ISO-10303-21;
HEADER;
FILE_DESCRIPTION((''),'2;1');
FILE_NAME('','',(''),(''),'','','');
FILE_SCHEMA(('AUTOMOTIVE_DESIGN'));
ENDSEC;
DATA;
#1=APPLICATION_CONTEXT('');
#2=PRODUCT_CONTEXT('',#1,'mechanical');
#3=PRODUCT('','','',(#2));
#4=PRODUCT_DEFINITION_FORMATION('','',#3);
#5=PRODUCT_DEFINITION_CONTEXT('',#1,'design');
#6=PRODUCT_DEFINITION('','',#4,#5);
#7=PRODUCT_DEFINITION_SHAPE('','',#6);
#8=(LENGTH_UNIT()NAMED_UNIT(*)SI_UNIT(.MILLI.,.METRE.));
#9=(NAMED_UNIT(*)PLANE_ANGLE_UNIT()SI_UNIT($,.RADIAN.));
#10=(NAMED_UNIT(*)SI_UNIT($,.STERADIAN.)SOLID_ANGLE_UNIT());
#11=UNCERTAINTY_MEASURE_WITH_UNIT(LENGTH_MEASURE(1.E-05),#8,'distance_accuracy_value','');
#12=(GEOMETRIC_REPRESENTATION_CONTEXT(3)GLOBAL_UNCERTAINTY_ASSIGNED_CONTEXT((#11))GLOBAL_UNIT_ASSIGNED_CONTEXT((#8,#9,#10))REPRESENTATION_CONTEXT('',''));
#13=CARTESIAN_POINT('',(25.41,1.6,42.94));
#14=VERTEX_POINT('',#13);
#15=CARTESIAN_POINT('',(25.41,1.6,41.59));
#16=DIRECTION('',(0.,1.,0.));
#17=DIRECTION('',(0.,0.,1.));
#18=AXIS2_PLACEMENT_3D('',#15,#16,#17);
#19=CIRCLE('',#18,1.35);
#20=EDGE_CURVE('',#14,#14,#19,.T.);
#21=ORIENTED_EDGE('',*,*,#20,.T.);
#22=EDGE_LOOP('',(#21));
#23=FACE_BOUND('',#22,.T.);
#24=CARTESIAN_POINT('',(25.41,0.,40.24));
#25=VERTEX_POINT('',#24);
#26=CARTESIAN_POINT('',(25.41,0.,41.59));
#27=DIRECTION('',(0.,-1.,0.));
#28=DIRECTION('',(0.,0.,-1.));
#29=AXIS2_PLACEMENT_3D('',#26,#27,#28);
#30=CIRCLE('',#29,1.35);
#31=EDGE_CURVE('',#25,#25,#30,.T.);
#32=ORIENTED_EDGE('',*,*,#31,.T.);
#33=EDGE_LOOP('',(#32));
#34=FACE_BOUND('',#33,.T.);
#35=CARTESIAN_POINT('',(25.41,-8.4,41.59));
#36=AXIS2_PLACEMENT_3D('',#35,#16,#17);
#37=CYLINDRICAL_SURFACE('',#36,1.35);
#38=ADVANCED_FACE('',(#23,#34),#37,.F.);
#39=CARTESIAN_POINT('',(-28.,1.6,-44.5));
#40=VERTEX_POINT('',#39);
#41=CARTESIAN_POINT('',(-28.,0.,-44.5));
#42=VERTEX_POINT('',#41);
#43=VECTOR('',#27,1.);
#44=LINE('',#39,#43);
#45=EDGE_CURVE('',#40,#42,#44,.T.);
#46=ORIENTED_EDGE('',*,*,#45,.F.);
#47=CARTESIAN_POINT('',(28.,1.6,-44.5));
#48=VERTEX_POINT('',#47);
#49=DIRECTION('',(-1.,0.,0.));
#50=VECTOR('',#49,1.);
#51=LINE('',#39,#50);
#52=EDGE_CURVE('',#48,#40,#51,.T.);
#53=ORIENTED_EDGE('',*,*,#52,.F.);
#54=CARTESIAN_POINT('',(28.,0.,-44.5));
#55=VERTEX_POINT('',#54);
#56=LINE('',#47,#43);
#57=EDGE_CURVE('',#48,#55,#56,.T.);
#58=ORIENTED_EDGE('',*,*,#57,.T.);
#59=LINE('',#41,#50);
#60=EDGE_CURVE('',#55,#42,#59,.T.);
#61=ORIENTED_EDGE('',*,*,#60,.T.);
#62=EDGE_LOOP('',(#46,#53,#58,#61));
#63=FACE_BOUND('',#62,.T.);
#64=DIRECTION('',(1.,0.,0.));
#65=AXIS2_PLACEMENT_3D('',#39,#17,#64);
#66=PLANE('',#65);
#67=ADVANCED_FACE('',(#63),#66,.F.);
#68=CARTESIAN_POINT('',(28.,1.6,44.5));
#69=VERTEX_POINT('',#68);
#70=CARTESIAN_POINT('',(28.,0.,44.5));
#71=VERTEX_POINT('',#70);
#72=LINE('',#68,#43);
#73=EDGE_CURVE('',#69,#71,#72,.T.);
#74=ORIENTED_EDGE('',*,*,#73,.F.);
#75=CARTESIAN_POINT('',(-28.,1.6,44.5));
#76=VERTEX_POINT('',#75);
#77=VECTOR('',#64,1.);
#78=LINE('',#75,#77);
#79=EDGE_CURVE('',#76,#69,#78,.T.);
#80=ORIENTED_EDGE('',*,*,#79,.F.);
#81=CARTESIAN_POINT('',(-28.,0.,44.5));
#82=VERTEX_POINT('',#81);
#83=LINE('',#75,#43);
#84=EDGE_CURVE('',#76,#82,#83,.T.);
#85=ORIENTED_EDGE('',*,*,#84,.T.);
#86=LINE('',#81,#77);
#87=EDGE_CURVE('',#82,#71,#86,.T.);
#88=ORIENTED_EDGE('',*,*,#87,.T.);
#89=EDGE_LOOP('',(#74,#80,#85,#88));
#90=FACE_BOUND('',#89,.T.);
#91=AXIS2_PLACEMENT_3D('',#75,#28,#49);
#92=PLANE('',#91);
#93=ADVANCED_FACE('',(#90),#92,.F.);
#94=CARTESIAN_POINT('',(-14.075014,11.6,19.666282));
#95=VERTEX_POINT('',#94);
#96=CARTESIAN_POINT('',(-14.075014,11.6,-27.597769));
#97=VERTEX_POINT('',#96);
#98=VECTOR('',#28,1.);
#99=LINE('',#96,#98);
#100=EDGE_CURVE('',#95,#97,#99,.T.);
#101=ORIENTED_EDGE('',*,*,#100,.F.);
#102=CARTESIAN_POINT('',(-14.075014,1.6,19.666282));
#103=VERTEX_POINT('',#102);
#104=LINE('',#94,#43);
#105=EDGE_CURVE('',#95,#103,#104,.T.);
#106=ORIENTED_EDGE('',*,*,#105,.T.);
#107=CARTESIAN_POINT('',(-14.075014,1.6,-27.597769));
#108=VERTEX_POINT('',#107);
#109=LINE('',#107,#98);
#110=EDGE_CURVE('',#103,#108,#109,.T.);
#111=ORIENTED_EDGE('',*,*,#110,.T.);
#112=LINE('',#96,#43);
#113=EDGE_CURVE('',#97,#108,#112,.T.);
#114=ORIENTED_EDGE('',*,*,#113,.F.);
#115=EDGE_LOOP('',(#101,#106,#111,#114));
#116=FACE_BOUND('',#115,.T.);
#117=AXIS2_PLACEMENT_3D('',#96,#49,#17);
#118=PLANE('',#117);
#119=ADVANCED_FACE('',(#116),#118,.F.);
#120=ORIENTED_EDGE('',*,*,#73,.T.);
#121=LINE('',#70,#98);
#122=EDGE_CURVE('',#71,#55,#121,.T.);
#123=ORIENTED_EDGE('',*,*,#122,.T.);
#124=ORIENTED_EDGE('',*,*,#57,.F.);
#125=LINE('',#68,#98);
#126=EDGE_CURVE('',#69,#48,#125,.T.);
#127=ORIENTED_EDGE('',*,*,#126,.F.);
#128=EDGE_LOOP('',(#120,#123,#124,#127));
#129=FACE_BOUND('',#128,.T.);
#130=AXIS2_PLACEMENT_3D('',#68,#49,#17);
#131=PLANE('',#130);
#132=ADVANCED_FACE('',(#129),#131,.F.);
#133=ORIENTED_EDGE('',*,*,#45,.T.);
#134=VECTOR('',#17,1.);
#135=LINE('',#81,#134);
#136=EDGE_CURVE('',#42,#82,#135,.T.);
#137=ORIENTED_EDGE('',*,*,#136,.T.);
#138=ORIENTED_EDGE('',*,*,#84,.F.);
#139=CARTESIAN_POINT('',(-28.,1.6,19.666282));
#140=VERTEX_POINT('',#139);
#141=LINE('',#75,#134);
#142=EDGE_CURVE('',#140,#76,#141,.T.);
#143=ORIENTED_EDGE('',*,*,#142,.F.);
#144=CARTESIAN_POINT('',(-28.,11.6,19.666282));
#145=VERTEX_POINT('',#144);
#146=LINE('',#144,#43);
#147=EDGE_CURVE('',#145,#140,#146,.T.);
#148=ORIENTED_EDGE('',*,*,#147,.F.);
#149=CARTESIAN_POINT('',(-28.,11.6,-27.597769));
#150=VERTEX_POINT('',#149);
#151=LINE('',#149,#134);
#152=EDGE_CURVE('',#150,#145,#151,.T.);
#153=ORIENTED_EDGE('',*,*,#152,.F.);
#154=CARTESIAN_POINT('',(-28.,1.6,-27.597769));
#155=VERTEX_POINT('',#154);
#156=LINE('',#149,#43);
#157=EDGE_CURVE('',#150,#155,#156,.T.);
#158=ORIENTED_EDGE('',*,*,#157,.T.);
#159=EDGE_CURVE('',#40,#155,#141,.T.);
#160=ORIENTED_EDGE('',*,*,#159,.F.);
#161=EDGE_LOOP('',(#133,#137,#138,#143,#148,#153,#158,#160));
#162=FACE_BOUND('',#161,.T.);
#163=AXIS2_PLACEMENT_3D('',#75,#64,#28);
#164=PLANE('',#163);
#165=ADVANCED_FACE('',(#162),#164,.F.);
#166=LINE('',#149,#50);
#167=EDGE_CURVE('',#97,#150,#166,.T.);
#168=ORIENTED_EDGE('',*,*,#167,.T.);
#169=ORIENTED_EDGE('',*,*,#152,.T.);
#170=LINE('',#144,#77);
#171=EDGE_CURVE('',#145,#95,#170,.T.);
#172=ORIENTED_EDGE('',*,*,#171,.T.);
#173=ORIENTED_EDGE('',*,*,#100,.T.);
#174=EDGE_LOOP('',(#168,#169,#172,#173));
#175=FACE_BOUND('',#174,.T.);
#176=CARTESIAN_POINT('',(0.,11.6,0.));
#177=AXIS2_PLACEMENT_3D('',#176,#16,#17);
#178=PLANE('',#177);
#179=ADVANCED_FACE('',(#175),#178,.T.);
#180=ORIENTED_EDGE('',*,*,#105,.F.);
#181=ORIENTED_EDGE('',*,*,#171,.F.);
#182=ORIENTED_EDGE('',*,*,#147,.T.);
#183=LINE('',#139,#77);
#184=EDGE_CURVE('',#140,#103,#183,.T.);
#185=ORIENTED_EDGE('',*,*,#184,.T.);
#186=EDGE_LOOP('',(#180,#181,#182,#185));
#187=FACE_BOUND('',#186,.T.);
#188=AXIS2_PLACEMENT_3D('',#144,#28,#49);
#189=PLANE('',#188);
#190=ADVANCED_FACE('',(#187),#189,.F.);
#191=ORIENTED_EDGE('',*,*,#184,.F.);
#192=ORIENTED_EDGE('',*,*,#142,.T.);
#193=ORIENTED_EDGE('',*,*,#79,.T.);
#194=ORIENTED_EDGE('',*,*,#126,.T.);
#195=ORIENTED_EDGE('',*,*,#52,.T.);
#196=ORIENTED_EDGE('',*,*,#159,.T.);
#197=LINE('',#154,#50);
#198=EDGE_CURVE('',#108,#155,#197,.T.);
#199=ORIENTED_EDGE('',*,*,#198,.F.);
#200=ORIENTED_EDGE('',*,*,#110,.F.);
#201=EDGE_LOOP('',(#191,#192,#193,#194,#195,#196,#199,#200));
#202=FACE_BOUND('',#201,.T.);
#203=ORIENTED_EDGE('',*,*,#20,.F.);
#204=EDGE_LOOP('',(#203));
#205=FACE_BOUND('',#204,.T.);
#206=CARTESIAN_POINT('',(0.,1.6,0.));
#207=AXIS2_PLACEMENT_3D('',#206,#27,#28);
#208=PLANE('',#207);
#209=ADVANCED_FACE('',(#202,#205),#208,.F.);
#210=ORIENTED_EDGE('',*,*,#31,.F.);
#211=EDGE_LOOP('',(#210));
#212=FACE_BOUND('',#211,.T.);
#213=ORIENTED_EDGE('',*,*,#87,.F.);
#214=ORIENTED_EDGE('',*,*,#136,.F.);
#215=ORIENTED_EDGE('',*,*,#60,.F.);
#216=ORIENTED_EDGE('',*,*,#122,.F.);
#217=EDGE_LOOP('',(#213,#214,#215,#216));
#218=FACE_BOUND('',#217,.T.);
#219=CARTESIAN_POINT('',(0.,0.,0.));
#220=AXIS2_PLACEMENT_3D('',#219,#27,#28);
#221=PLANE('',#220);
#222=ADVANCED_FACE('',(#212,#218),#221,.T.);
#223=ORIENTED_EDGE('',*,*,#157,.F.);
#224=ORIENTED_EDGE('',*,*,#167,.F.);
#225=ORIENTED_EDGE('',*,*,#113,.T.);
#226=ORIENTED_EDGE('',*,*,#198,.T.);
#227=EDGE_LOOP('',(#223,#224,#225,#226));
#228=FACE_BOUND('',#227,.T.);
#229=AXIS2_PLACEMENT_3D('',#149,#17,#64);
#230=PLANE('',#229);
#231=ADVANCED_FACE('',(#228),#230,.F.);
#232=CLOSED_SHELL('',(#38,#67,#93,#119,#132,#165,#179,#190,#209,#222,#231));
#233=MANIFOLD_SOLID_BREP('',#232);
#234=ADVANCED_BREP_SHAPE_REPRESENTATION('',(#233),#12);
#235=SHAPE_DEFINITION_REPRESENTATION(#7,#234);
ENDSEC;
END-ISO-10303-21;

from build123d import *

# Parameters (mm, degrees)
SKETCH_1_W          = 56
SKETCH_1_H          = 89
EXTRUDE_1_DEPTH     = 1.6
SKETCH_2_W          = 13.9249856
SKETCH_2_H          = 47.2640512
EXTRUDE_2_DEPTH     = 10
SKETCH_3_R          = 1.35
CUT_EXTRUDE_1_DEPTH = 10


with BuildPart() as part:
    # 草图1 → 凸台-拉伸1 (new body)
    with BuildSketch(Plane(origin=(0, 0, 0), x_dir=(1, 0, 0), z_dir=(0, 1, 0))):
        Rectangle(SKETCH_1_W, SKETCH_1_H)
    extrude(amount=EXTRUDE_1_DEPTH)

    # 草图2 → 凸台-拉伸2 (add)
    with BuildSketch(Plane(origin=(0, 1.6, 0), x_dir=(1, 0, 0), z_dir=(0, 1, 0))):
        with Locations((-21.0375072, 3.96574336)):
            Rectangle(SKETCH_2_W, SKETCH_2_H)
    extrude(amount=EXTRUDE_2_DEPTH)

    # 草图3 → 切除-拉伸1 (cut)
    with BuildSketch(Plane(origin=(0, 1.6, 0), x_dir=(1, 0, 0), z_dir=(0, 1, 0))):
        with Locations((25.41, -41.59)):
            Circle(SKETCH_3_R)
    extrude(amount=-CUT_EXTRUDE_1_DEPTH, mode=Mode.SUBTRACT)


solid = part.part
